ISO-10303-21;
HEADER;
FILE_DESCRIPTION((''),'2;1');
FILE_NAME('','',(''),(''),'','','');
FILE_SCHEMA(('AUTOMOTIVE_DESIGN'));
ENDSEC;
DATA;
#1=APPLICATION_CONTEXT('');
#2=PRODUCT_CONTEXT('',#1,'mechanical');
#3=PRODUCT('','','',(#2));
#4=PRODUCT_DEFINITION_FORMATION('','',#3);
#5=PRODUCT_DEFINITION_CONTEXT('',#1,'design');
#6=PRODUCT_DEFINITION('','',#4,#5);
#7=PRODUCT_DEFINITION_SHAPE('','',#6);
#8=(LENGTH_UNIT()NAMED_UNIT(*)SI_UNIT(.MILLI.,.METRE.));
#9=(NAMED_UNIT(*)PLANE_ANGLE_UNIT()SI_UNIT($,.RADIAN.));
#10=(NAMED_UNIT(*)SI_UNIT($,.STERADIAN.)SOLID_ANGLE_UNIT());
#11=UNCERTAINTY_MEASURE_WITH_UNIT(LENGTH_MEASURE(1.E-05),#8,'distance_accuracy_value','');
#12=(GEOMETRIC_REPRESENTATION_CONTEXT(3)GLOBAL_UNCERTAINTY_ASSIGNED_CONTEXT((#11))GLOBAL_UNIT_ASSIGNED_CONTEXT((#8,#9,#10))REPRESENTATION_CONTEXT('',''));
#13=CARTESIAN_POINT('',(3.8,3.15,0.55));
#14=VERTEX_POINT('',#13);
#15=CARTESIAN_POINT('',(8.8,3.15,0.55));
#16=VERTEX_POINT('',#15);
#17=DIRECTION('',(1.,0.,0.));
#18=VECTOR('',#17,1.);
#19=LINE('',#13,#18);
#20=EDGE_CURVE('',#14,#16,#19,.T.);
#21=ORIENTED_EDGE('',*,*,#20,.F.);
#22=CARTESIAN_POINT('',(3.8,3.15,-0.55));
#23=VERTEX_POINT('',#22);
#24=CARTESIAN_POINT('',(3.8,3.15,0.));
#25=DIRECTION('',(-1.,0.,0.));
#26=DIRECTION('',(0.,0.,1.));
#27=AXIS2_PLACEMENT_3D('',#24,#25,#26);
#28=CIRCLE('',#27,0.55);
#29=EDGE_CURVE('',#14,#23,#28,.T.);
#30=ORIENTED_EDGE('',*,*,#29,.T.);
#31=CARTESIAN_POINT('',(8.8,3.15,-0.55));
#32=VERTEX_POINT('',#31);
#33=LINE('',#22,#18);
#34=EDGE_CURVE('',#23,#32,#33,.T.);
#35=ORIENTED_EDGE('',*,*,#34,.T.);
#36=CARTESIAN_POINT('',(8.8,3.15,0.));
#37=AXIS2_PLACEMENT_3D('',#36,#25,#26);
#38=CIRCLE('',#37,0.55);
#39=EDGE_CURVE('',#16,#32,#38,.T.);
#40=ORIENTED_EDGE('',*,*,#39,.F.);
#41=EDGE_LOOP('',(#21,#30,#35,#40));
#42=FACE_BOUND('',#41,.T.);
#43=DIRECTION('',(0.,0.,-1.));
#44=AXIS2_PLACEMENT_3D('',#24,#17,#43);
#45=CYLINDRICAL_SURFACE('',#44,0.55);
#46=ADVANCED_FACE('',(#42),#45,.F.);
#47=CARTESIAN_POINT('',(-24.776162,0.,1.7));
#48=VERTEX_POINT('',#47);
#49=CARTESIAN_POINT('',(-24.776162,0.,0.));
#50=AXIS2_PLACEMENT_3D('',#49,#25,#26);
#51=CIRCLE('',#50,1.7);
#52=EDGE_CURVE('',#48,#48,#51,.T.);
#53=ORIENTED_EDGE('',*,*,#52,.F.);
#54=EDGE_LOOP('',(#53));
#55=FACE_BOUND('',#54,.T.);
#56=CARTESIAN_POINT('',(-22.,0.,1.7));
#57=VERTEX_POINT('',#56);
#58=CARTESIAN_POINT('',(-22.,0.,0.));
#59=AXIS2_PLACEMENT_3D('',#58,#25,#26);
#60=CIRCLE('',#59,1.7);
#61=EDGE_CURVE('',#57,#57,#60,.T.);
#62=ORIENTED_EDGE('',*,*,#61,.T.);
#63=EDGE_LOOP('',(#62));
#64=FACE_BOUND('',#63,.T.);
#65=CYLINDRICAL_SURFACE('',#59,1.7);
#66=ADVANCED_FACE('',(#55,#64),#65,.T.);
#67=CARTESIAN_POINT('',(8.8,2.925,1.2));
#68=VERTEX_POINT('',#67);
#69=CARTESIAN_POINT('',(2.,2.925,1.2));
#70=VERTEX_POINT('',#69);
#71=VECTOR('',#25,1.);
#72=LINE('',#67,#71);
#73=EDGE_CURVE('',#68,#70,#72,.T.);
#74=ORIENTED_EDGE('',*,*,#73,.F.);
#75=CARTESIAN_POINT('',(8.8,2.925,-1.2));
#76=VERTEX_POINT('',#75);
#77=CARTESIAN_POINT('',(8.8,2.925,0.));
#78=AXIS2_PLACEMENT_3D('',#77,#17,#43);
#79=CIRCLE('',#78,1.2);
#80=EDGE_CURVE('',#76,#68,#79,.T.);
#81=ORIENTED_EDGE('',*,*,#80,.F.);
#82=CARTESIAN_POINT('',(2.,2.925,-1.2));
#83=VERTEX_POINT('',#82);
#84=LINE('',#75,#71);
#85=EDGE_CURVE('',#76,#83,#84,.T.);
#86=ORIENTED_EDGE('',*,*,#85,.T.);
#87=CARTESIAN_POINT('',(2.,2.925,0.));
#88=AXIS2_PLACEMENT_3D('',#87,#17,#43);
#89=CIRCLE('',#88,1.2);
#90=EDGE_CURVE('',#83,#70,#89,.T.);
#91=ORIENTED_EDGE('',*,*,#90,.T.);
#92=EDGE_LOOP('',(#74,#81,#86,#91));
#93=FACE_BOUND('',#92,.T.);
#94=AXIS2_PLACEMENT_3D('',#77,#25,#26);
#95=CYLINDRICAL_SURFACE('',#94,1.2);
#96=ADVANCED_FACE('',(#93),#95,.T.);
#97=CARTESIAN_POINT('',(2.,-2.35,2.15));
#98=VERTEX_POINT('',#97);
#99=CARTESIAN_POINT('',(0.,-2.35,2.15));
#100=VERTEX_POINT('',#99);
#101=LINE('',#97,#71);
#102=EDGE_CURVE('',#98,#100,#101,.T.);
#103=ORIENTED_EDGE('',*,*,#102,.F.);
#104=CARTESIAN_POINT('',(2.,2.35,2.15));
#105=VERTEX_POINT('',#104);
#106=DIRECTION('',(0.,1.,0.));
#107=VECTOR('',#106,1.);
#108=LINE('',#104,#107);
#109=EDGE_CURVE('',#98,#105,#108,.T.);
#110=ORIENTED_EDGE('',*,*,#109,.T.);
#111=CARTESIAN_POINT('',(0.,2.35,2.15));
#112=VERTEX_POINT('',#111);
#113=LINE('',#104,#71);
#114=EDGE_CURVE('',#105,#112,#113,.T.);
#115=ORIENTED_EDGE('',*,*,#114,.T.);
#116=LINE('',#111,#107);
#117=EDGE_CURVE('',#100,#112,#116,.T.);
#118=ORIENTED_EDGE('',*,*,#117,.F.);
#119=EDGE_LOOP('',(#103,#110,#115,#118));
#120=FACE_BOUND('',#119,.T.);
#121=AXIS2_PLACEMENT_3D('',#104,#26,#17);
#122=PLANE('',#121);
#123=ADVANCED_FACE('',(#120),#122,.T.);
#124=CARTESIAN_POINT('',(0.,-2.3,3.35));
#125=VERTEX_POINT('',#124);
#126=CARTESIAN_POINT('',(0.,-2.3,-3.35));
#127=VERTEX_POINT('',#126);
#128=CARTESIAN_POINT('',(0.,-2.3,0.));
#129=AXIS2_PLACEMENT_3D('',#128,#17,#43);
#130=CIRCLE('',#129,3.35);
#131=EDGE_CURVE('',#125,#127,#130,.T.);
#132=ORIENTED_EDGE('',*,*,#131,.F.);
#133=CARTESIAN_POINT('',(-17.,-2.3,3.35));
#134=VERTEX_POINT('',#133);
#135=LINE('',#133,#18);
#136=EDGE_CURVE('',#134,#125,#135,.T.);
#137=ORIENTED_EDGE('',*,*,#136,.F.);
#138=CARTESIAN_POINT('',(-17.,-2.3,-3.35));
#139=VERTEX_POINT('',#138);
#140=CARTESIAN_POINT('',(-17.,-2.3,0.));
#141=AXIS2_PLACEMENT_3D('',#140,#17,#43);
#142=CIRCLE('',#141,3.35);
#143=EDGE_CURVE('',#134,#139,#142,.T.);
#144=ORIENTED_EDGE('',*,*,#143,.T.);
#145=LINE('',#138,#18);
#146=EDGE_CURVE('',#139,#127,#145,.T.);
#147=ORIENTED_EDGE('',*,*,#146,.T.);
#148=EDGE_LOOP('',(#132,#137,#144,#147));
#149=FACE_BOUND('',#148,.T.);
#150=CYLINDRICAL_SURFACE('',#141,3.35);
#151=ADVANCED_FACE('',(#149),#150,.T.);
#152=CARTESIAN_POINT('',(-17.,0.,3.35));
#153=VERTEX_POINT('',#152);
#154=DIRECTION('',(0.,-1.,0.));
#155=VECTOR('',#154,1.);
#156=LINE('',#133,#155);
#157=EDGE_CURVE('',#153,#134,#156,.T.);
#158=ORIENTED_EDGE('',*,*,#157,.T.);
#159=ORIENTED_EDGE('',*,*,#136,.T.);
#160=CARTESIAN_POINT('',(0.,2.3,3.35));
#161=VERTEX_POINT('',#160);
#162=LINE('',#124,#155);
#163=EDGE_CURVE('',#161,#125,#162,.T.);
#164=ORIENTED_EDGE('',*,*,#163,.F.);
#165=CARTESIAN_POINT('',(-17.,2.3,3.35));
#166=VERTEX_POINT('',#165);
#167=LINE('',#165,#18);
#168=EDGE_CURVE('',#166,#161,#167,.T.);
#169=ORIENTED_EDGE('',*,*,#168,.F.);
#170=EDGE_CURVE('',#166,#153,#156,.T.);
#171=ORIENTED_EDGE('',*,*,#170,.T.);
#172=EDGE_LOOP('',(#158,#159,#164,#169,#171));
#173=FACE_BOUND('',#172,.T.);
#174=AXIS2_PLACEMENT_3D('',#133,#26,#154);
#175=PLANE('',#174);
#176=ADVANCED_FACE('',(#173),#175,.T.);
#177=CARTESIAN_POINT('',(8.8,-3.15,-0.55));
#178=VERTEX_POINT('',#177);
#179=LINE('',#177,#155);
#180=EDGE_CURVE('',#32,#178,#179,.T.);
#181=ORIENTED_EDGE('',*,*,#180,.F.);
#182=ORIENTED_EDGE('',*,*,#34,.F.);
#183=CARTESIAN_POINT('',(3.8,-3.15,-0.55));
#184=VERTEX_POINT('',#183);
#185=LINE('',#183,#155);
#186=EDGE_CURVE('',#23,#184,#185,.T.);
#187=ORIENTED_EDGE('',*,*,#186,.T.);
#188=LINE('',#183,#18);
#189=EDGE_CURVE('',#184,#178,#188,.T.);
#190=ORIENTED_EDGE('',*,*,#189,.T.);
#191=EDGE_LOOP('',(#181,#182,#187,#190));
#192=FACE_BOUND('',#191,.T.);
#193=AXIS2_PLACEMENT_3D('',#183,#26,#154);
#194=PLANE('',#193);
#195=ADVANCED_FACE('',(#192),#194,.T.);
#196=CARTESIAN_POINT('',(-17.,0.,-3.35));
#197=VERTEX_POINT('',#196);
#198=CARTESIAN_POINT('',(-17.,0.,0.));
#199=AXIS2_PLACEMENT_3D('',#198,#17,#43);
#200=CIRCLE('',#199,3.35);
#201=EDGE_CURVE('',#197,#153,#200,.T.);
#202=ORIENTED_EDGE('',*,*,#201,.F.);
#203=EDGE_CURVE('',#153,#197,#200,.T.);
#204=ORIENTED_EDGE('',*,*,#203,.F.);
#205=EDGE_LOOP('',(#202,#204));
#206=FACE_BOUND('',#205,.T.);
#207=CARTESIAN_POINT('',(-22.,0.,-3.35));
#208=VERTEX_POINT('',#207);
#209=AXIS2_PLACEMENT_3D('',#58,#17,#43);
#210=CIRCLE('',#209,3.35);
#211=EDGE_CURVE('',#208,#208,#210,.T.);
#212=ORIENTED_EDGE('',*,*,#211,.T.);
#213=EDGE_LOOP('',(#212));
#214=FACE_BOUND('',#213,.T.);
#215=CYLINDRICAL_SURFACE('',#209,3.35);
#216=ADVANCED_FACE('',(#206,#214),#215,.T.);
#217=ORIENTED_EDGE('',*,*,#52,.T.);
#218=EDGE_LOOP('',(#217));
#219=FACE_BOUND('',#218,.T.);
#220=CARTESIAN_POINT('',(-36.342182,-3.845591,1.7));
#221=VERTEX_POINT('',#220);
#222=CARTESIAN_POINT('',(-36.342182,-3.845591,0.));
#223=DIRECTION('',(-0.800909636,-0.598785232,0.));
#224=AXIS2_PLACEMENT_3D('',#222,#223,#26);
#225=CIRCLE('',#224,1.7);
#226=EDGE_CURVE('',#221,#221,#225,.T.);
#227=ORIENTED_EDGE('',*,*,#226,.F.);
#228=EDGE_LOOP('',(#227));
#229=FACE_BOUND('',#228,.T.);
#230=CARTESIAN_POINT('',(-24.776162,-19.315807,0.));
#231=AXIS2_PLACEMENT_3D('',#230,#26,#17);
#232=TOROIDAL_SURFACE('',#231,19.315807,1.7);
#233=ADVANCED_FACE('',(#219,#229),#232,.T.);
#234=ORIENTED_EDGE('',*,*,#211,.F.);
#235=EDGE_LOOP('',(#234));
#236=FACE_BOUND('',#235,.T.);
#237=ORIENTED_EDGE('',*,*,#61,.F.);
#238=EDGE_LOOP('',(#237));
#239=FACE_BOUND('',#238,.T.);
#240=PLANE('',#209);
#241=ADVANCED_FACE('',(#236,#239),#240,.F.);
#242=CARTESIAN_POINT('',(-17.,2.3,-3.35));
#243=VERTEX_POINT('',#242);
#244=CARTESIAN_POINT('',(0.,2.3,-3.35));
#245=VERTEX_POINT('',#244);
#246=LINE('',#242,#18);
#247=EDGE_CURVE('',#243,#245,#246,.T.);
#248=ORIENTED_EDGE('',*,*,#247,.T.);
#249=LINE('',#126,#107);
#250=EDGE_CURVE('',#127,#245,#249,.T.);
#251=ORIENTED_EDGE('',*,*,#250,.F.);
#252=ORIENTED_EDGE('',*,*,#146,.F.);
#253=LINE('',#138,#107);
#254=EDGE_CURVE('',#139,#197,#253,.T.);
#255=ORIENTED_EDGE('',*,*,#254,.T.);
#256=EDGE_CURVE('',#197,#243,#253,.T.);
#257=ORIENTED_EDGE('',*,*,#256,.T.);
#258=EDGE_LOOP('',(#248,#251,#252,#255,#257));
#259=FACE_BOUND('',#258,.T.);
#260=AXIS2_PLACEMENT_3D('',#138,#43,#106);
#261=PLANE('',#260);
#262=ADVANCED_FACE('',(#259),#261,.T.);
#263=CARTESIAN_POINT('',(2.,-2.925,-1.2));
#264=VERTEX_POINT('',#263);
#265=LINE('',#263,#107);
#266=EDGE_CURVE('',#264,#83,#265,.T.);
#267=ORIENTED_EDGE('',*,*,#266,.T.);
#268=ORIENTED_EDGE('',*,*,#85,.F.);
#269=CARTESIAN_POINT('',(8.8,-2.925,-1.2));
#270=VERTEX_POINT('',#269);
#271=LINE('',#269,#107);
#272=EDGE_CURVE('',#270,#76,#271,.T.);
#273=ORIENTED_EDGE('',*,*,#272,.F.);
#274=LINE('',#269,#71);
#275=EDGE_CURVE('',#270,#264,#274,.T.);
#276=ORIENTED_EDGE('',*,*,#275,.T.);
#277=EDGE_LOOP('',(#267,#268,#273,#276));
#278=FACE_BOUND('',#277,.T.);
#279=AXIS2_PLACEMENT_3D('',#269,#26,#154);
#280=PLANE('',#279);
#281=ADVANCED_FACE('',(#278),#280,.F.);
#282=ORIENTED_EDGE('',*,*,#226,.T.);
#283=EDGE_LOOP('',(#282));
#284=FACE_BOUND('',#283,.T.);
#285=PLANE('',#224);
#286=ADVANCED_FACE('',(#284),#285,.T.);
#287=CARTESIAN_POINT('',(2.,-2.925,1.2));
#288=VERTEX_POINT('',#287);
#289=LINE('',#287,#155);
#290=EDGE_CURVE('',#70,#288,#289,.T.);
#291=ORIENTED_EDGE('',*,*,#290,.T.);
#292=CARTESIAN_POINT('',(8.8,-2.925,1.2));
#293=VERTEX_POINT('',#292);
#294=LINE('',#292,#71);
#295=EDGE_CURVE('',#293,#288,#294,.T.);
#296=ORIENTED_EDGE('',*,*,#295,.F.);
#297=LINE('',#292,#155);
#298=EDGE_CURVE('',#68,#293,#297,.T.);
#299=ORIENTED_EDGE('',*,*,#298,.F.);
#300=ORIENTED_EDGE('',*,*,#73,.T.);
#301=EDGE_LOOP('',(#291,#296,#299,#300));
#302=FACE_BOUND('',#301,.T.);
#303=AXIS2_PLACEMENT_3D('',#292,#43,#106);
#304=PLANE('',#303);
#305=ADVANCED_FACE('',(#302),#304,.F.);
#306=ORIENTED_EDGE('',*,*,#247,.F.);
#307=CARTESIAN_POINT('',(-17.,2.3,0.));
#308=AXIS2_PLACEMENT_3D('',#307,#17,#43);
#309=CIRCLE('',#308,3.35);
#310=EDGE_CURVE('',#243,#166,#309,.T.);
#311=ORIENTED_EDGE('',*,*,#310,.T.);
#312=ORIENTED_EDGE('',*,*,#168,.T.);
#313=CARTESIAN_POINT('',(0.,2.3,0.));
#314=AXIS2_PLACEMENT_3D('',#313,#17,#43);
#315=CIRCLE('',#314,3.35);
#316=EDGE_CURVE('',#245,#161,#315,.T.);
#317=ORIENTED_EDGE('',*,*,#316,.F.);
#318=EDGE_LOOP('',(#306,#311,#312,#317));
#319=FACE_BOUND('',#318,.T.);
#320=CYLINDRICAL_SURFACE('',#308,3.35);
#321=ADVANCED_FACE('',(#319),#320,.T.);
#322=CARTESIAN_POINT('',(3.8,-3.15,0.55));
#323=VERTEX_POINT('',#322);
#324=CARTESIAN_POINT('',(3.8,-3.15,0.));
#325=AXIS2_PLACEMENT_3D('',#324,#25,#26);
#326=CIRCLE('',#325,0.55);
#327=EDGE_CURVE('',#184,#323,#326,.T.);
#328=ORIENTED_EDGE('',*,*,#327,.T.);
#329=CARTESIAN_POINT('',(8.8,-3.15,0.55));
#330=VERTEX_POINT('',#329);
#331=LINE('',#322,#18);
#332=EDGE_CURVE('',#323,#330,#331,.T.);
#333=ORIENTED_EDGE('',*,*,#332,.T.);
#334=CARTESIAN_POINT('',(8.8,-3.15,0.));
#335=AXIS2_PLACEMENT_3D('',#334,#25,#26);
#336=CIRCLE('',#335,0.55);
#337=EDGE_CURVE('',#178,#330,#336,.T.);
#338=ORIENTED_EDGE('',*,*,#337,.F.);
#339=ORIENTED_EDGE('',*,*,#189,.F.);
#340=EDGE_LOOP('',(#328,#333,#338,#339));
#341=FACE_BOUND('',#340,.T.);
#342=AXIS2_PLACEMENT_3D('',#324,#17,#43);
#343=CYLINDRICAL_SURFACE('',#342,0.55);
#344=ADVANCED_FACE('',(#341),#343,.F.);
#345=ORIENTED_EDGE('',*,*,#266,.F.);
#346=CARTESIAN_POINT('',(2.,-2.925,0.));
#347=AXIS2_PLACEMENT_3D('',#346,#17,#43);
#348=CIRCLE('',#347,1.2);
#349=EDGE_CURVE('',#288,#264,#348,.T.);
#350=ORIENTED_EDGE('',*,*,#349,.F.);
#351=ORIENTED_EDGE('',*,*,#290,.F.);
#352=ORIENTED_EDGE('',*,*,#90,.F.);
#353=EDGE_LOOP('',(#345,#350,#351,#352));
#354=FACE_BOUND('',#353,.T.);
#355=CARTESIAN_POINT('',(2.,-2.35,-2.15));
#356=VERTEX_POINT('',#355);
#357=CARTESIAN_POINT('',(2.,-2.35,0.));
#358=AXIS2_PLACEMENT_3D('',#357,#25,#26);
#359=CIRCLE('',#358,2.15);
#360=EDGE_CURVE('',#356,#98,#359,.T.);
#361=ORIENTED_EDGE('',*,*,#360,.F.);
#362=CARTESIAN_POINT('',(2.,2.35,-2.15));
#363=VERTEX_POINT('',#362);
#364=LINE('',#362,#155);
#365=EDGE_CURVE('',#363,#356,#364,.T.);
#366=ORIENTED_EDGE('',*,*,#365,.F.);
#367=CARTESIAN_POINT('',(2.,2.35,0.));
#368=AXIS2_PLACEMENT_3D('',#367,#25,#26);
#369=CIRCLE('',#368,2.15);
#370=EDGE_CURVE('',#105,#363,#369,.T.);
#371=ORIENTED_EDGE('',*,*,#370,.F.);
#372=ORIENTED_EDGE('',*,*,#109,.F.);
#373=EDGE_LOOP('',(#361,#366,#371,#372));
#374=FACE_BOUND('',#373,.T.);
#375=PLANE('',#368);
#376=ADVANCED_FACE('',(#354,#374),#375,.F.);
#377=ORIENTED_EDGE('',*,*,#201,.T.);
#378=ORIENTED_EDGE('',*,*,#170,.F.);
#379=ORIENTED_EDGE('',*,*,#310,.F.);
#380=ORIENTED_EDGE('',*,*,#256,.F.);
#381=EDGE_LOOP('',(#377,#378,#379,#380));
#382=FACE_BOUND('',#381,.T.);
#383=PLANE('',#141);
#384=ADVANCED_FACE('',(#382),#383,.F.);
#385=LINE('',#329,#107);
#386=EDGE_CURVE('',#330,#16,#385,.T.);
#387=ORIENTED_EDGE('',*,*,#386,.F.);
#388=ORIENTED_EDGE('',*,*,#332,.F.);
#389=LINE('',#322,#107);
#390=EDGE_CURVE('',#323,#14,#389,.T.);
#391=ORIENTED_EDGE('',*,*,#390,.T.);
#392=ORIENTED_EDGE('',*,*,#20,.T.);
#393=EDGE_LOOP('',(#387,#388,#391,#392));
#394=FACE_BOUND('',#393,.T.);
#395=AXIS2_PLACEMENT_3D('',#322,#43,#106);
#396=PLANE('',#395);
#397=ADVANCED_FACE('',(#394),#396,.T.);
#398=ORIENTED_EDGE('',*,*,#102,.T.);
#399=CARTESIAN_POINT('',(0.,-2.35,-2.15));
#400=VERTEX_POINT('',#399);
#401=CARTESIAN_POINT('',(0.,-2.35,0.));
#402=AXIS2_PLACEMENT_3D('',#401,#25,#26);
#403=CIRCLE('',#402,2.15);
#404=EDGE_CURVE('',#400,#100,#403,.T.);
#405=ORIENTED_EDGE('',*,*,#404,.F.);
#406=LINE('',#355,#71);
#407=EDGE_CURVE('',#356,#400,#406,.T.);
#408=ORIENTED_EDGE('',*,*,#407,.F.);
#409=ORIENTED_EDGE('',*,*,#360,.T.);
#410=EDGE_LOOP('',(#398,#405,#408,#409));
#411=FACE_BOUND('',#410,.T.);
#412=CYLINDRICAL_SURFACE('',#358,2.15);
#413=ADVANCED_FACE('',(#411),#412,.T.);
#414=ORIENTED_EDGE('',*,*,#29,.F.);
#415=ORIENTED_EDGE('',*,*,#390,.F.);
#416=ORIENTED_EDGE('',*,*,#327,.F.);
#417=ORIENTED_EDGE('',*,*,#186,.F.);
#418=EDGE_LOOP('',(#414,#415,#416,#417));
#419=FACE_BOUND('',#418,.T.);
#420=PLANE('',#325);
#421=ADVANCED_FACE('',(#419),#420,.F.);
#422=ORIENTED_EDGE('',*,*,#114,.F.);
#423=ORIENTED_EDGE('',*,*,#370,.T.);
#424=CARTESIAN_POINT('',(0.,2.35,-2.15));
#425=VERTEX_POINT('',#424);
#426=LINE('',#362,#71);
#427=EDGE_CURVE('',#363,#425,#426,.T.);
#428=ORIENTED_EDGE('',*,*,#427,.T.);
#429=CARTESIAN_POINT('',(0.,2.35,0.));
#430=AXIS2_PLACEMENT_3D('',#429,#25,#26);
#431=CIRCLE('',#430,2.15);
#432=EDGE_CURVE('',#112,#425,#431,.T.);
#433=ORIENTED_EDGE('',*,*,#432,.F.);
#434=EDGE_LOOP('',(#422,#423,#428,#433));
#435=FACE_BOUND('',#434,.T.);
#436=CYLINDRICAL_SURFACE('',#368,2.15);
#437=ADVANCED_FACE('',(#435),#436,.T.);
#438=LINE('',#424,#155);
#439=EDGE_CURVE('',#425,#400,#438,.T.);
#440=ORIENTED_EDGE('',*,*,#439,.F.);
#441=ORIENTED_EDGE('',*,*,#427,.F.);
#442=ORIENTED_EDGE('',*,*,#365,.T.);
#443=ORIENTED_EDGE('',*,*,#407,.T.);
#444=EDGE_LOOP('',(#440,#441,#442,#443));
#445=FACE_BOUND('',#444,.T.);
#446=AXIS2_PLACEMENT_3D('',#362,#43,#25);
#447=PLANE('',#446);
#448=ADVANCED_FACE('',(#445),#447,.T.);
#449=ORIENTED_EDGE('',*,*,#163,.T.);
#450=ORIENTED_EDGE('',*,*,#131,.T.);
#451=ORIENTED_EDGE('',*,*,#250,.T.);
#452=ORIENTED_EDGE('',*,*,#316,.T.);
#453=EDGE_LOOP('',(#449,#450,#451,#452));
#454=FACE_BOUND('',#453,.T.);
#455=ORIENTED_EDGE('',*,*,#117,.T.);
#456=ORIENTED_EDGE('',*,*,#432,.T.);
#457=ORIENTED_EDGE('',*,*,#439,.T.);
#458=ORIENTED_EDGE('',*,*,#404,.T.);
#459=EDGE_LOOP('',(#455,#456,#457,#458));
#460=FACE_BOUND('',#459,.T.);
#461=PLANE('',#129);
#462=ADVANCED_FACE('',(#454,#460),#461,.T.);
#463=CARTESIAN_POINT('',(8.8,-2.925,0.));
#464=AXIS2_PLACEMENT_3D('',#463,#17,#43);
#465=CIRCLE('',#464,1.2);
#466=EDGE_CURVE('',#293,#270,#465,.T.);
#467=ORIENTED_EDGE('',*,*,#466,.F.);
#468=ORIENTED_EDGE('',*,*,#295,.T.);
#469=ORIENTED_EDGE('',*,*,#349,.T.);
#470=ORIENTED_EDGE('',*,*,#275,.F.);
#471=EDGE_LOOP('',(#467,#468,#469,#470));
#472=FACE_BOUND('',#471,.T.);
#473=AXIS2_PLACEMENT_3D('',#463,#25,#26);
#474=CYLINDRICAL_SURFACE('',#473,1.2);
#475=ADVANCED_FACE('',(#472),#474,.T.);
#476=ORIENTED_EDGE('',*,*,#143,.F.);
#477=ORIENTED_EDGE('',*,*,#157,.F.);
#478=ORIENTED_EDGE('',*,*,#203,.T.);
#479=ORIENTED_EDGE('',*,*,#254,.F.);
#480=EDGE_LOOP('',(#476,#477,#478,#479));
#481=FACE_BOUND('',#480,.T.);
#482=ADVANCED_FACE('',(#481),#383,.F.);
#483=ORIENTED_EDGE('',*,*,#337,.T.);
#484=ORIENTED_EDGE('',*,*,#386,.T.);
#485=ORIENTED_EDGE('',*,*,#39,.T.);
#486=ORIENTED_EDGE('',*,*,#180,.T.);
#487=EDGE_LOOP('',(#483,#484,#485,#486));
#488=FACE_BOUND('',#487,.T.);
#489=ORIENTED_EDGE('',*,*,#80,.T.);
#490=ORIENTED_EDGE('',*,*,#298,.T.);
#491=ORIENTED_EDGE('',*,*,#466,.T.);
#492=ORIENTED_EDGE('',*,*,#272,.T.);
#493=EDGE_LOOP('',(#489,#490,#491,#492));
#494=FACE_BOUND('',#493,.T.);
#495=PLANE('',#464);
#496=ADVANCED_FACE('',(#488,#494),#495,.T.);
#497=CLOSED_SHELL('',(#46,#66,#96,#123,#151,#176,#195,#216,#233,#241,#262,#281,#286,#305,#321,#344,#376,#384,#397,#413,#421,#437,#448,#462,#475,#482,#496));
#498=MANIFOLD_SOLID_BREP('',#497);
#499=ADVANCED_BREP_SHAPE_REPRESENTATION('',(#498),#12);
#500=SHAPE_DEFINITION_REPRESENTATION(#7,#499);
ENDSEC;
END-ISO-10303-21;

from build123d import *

# Parameters (mm, degrees)
EXTRUDE_1_DEPTH     = 17
EXTRUDE_2_DEPTH     = 2
SKETCH_4_R          = 3.35
EXTRUDE_3_DEPTH     = 5
SKETCH_5_R          = 1.7
EXTRUDE_4_DEPTH     = 6.8
CUT_EXTRUDE_1_DEPTH = 5


with BuildPart() as part:
    # Эскиз1 → Бобышка-Вытянуть1 (new body)
    with BuildSketch(Plane(origin=(0, 0, 0), x_dir=(0, 0, -1), z_dir=(1, 0, 0))):
        with BuildLine():
            Line((-3.35, -2.3), (-3.35, 2.3))
            ThreePointArc((-3.35, 2.3), (0, 5.65), (3.35, 2.3))
            Line((3.35, 2.3), (3.35, -2.3))
            ThreePointArc((3.35, -2.3), (0, -5.65), (-3.35, -2.3))
        make_face()
    extrude(amount=-EXTRUDE_1_DEPTH)

    # Эскиз3 → Бобышка-Вытянуть2 (add)
    with BuildSketch(Plane.ZY):
        with BuildLine():
            Line((2.15, 2.35), (2.15, -2.35))
            ThreePointArc((2.15, -2.35), (0, -4.5), (-2.15, -2.35))
            Line((-2.15, -2.35), (-2.15, 2.35))
            ThreePointArc((-2.15, 2.35), (0, 4.5), (2.15, 2.35))
        make_face()
    extrude(amount=-EXTRUDE_2_DEPTH)

    # Эскиз4 → Бобышка-Вытянуть3 (add)
    with BuildSketch(Plane(origin=(-17, 0, 0), x_dir=(0, 0, -1), z_dir=(1, 0, 0))):
        Circle(SKETCH_4_R)
    extrude(amount=-EXTRUDE_3_DEPTH)

    # По траектории1: sweep along a path in Эскиз6
    with BuildLine(Plane.XY) as sweep_1_path:
        Line((-22, 0), (-24.776161806, 0))
        ThreePointArc((-24.776161806, 0), (-30.870449905, -0.986593903), (-36.342181829, -3.845591055))
    # Эскиз5 → По траектории1 (sweep)
    with BuildSketch(Plane.ZY.offset(22)):
        Circle(SKETCH_5_R)
    sweep(path=sweep_1_path.line)

    # Эскиз7 → Бобышка-Вытянуть4 (add)
    with BuildSketch(Plane(origin=(2, 0, 0), x_dir=(0, 0, -1), z_dir=(1, 0, 0))):
        with BuildLine():
            Line((-1.2, -2.925), (-1.2, 2.925))
            ThreePointArc((-1.2, 2.925), (0, 4.125), (1.2, 2.925))
            Line((1.2, 2.925), (1.2, -2.925))
            ThreePointArc((1.2, -2.925), (0, -4.125), (-1.2, -2.925))
        make_face()
    extrude(amount=EXTRUDE_4_DEPTH)

    # Эскиз8 → Вырез-Вытянуть1 (cut)
    with BuildSketch(Plane(origin=(8.8, 0, -8.8), x_dir=(0, 0, 1), z_dir=(-1, 0, 0))):
        with BuildLine():
            Line((8.25, -3.15), (8.25, 3.15))
            ThreePointArc((8.25, 3.15), (8.8, 3.7), (9.35, 3.15))
            Line((9.35, 3.15), (9.35, -3.15))
            ThreePointArc((9.35, -3.15), (8.8, -3.7), (8.25, -3.15))
        make_face()
    extrude(amount=CUT_EXTRUDE_1_DEPTH, mode=Mode.SUBTRACT)


solid = part.part
